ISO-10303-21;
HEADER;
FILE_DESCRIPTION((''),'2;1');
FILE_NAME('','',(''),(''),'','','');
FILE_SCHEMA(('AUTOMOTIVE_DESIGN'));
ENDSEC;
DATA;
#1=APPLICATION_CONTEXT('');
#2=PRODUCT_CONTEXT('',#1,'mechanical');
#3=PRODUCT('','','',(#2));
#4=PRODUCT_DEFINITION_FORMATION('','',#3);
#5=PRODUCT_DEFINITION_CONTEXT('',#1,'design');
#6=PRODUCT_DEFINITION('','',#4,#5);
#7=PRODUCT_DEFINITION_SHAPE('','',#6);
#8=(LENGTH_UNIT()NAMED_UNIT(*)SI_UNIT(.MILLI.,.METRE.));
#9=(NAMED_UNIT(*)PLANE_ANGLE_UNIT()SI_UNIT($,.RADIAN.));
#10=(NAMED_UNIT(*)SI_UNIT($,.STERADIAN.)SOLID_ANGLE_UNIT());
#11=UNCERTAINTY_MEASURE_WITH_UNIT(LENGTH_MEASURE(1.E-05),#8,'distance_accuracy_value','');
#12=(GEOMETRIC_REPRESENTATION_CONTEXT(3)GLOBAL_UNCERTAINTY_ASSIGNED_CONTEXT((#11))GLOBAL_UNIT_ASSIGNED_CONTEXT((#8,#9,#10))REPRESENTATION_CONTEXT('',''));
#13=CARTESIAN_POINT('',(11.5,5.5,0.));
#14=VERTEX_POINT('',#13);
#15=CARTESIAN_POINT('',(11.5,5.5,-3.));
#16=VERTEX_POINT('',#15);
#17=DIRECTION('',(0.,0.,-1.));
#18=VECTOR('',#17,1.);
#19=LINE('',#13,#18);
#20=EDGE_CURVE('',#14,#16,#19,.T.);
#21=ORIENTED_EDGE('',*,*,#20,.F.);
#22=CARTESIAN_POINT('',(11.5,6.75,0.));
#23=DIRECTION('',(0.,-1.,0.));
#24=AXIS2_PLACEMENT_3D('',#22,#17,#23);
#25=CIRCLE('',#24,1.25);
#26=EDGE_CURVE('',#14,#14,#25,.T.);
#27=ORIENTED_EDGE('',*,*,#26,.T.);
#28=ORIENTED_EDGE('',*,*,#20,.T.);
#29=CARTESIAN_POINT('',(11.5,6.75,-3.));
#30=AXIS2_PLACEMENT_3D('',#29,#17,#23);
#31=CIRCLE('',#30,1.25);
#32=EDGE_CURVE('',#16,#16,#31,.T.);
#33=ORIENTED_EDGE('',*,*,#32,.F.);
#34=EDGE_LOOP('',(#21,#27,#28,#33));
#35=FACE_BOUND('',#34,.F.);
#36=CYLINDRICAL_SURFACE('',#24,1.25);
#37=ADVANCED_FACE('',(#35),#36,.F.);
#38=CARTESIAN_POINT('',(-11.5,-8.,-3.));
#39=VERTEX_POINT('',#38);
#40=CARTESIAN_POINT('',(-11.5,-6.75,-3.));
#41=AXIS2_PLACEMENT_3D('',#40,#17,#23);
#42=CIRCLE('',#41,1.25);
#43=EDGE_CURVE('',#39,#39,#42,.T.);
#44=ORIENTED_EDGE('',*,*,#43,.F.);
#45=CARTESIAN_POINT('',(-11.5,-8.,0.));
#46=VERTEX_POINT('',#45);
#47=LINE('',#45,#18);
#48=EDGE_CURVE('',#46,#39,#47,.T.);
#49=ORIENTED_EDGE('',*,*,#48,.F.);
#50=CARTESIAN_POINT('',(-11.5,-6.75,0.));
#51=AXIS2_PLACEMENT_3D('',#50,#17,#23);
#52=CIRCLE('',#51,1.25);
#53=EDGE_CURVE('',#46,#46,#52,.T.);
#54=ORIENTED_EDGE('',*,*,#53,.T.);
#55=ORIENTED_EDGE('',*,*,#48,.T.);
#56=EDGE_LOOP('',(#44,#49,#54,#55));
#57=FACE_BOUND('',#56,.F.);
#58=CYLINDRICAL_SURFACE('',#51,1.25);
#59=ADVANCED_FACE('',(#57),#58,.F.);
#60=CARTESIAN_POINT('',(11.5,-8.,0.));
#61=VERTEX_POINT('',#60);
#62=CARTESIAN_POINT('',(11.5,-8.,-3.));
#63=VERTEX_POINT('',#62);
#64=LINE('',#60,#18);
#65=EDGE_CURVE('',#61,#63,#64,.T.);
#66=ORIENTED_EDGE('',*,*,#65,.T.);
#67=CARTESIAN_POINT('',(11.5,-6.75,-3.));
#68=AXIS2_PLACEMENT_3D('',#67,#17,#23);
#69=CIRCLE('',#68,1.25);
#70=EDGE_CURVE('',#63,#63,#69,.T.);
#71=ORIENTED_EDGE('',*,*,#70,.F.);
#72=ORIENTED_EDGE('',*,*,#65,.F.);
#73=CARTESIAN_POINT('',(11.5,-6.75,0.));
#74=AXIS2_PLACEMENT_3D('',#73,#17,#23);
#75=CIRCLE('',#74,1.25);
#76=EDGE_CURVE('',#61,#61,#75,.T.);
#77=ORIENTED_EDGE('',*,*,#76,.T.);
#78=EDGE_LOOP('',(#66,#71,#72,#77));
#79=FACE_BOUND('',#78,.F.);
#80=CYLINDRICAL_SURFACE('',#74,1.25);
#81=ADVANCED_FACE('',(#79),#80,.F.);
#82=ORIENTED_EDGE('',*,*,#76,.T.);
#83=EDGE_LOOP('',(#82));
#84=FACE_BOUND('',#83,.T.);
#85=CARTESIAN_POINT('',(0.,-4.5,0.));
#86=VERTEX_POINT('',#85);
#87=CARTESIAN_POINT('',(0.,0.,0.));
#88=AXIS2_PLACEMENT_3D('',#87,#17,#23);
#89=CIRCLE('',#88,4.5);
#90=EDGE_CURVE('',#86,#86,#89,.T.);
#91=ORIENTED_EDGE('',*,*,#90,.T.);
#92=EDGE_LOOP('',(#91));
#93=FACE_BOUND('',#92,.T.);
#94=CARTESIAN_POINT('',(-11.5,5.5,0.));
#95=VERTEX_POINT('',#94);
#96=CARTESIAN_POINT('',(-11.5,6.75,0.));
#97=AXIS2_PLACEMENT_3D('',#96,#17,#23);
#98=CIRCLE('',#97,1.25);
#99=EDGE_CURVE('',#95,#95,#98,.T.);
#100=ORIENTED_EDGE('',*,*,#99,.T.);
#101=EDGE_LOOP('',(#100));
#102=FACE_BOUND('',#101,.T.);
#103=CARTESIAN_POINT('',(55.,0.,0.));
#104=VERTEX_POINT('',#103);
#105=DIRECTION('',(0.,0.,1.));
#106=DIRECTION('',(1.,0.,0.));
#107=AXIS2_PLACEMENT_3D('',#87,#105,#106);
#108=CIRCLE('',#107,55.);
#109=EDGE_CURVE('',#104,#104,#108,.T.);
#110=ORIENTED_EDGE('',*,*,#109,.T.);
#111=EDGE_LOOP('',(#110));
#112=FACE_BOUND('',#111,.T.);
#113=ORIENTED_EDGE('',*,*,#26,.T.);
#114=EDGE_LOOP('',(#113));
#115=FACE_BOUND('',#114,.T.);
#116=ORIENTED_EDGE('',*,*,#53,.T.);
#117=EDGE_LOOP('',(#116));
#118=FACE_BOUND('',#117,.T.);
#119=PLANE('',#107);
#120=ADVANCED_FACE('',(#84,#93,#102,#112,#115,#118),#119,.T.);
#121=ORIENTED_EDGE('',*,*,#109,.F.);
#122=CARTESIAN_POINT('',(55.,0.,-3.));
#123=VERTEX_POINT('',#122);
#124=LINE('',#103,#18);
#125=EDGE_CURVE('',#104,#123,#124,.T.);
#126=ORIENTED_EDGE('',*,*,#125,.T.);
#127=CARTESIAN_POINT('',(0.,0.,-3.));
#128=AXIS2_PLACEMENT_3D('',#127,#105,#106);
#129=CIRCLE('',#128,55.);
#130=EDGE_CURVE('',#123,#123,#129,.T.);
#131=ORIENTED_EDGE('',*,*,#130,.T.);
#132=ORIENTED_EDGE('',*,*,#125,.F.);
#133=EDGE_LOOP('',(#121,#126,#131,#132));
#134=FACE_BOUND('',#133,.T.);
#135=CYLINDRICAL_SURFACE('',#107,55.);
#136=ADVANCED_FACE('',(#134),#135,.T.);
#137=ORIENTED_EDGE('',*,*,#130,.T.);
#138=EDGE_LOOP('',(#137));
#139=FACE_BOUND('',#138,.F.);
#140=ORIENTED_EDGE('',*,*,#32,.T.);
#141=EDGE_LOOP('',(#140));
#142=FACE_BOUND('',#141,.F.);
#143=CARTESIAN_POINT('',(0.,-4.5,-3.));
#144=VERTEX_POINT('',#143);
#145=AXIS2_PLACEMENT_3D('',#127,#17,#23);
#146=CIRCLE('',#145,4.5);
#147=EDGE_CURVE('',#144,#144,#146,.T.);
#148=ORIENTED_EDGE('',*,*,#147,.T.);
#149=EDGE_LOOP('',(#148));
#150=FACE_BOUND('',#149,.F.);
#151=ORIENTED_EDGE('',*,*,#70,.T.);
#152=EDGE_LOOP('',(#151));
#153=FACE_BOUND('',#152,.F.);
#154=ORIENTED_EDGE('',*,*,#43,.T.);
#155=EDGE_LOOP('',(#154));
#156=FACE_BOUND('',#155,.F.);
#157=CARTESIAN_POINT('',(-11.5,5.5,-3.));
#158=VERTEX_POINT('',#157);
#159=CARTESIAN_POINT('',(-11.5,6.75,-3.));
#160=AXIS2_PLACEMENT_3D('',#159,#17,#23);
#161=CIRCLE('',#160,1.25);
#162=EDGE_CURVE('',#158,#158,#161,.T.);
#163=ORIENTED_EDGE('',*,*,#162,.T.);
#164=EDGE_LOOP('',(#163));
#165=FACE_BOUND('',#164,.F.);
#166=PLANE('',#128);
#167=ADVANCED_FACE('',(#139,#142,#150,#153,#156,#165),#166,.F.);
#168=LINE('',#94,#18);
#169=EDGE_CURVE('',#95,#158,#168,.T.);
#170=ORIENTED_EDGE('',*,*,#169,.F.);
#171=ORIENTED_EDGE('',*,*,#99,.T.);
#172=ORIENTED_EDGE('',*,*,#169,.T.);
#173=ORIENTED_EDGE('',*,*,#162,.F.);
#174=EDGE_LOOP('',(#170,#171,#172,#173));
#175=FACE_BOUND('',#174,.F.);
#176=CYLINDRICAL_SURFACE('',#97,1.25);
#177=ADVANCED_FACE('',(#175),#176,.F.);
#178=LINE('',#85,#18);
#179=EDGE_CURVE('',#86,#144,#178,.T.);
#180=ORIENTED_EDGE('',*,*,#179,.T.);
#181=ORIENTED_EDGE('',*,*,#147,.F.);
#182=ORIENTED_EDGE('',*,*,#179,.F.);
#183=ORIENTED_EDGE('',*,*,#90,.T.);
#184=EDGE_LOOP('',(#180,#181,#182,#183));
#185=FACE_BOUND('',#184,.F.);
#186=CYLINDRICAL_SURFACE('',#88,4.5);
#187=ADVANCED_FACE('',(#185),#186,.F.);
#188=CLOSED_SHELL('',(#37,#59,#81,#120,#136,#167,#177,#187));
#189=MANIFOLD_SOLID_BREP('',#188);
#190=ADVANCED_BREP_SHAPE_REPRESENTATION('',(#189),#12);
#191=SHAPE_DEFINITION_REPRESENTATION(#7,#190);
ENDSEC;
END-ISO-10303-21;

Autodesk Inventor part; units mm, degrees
ref_plane "YZ Plane" through (0, 0, 0) normal (1, 0, 0) x (0, 1, 0)
ref_plane "XZ Plane" through (0, 0, 0) normal (0, 1, 0) x (-1, 0, 0)
ref_plane "XY Plane" through (0, 0, 0) normal (0, 0, 1) x (1, 0, 0)
sketch "Boceto1" plane through (0, 0, 0) normal (0, 0, 1) x (1, 0, 0)
  circle A0 centre (0, 0) radius 55
extrude "Extrusión1" add sketch "Boceto1" against normal blind 3
sketch "Boceto2" plane through (0, 0, 0) normal (0, 0, 1) x (1, 0, 0)
  circle A0 centre (0, 0) radius 4.5
hole "Agujero1" at (0, 0, 0) direction (0, 0, -1) diameter 9 end through all
sketch "Boceto3" plane through (0, 0, 0) normal (0, 0, 1) x (1, 0, 0)
  line L0 (0, 0) -> (-11.5, 0)
  circle A0 centre (-11.5, 6.75) radius 1.25
  circle A1 centre (11.5, 6.75) radius 1.25
  circle A2 centre (11.5, -6.75) radius 1.25
  circle A3 centre (-11.5, -6.75) radius 1.25
hole "Agujero2" at (11.5, -6.75, 0) at (-11.5, 6.75, 0) at (-11.5, -6.75, 0) at (11.5, 6.75, 0) direction (0, 0, -1) diameter 2.5 end through all
sketch "Boceto4" plane through (0, 0, -3) normal (0, 0, -1) x (-1, 0, 0)
  point P0 (0, 0)
properties part number "Base2"
